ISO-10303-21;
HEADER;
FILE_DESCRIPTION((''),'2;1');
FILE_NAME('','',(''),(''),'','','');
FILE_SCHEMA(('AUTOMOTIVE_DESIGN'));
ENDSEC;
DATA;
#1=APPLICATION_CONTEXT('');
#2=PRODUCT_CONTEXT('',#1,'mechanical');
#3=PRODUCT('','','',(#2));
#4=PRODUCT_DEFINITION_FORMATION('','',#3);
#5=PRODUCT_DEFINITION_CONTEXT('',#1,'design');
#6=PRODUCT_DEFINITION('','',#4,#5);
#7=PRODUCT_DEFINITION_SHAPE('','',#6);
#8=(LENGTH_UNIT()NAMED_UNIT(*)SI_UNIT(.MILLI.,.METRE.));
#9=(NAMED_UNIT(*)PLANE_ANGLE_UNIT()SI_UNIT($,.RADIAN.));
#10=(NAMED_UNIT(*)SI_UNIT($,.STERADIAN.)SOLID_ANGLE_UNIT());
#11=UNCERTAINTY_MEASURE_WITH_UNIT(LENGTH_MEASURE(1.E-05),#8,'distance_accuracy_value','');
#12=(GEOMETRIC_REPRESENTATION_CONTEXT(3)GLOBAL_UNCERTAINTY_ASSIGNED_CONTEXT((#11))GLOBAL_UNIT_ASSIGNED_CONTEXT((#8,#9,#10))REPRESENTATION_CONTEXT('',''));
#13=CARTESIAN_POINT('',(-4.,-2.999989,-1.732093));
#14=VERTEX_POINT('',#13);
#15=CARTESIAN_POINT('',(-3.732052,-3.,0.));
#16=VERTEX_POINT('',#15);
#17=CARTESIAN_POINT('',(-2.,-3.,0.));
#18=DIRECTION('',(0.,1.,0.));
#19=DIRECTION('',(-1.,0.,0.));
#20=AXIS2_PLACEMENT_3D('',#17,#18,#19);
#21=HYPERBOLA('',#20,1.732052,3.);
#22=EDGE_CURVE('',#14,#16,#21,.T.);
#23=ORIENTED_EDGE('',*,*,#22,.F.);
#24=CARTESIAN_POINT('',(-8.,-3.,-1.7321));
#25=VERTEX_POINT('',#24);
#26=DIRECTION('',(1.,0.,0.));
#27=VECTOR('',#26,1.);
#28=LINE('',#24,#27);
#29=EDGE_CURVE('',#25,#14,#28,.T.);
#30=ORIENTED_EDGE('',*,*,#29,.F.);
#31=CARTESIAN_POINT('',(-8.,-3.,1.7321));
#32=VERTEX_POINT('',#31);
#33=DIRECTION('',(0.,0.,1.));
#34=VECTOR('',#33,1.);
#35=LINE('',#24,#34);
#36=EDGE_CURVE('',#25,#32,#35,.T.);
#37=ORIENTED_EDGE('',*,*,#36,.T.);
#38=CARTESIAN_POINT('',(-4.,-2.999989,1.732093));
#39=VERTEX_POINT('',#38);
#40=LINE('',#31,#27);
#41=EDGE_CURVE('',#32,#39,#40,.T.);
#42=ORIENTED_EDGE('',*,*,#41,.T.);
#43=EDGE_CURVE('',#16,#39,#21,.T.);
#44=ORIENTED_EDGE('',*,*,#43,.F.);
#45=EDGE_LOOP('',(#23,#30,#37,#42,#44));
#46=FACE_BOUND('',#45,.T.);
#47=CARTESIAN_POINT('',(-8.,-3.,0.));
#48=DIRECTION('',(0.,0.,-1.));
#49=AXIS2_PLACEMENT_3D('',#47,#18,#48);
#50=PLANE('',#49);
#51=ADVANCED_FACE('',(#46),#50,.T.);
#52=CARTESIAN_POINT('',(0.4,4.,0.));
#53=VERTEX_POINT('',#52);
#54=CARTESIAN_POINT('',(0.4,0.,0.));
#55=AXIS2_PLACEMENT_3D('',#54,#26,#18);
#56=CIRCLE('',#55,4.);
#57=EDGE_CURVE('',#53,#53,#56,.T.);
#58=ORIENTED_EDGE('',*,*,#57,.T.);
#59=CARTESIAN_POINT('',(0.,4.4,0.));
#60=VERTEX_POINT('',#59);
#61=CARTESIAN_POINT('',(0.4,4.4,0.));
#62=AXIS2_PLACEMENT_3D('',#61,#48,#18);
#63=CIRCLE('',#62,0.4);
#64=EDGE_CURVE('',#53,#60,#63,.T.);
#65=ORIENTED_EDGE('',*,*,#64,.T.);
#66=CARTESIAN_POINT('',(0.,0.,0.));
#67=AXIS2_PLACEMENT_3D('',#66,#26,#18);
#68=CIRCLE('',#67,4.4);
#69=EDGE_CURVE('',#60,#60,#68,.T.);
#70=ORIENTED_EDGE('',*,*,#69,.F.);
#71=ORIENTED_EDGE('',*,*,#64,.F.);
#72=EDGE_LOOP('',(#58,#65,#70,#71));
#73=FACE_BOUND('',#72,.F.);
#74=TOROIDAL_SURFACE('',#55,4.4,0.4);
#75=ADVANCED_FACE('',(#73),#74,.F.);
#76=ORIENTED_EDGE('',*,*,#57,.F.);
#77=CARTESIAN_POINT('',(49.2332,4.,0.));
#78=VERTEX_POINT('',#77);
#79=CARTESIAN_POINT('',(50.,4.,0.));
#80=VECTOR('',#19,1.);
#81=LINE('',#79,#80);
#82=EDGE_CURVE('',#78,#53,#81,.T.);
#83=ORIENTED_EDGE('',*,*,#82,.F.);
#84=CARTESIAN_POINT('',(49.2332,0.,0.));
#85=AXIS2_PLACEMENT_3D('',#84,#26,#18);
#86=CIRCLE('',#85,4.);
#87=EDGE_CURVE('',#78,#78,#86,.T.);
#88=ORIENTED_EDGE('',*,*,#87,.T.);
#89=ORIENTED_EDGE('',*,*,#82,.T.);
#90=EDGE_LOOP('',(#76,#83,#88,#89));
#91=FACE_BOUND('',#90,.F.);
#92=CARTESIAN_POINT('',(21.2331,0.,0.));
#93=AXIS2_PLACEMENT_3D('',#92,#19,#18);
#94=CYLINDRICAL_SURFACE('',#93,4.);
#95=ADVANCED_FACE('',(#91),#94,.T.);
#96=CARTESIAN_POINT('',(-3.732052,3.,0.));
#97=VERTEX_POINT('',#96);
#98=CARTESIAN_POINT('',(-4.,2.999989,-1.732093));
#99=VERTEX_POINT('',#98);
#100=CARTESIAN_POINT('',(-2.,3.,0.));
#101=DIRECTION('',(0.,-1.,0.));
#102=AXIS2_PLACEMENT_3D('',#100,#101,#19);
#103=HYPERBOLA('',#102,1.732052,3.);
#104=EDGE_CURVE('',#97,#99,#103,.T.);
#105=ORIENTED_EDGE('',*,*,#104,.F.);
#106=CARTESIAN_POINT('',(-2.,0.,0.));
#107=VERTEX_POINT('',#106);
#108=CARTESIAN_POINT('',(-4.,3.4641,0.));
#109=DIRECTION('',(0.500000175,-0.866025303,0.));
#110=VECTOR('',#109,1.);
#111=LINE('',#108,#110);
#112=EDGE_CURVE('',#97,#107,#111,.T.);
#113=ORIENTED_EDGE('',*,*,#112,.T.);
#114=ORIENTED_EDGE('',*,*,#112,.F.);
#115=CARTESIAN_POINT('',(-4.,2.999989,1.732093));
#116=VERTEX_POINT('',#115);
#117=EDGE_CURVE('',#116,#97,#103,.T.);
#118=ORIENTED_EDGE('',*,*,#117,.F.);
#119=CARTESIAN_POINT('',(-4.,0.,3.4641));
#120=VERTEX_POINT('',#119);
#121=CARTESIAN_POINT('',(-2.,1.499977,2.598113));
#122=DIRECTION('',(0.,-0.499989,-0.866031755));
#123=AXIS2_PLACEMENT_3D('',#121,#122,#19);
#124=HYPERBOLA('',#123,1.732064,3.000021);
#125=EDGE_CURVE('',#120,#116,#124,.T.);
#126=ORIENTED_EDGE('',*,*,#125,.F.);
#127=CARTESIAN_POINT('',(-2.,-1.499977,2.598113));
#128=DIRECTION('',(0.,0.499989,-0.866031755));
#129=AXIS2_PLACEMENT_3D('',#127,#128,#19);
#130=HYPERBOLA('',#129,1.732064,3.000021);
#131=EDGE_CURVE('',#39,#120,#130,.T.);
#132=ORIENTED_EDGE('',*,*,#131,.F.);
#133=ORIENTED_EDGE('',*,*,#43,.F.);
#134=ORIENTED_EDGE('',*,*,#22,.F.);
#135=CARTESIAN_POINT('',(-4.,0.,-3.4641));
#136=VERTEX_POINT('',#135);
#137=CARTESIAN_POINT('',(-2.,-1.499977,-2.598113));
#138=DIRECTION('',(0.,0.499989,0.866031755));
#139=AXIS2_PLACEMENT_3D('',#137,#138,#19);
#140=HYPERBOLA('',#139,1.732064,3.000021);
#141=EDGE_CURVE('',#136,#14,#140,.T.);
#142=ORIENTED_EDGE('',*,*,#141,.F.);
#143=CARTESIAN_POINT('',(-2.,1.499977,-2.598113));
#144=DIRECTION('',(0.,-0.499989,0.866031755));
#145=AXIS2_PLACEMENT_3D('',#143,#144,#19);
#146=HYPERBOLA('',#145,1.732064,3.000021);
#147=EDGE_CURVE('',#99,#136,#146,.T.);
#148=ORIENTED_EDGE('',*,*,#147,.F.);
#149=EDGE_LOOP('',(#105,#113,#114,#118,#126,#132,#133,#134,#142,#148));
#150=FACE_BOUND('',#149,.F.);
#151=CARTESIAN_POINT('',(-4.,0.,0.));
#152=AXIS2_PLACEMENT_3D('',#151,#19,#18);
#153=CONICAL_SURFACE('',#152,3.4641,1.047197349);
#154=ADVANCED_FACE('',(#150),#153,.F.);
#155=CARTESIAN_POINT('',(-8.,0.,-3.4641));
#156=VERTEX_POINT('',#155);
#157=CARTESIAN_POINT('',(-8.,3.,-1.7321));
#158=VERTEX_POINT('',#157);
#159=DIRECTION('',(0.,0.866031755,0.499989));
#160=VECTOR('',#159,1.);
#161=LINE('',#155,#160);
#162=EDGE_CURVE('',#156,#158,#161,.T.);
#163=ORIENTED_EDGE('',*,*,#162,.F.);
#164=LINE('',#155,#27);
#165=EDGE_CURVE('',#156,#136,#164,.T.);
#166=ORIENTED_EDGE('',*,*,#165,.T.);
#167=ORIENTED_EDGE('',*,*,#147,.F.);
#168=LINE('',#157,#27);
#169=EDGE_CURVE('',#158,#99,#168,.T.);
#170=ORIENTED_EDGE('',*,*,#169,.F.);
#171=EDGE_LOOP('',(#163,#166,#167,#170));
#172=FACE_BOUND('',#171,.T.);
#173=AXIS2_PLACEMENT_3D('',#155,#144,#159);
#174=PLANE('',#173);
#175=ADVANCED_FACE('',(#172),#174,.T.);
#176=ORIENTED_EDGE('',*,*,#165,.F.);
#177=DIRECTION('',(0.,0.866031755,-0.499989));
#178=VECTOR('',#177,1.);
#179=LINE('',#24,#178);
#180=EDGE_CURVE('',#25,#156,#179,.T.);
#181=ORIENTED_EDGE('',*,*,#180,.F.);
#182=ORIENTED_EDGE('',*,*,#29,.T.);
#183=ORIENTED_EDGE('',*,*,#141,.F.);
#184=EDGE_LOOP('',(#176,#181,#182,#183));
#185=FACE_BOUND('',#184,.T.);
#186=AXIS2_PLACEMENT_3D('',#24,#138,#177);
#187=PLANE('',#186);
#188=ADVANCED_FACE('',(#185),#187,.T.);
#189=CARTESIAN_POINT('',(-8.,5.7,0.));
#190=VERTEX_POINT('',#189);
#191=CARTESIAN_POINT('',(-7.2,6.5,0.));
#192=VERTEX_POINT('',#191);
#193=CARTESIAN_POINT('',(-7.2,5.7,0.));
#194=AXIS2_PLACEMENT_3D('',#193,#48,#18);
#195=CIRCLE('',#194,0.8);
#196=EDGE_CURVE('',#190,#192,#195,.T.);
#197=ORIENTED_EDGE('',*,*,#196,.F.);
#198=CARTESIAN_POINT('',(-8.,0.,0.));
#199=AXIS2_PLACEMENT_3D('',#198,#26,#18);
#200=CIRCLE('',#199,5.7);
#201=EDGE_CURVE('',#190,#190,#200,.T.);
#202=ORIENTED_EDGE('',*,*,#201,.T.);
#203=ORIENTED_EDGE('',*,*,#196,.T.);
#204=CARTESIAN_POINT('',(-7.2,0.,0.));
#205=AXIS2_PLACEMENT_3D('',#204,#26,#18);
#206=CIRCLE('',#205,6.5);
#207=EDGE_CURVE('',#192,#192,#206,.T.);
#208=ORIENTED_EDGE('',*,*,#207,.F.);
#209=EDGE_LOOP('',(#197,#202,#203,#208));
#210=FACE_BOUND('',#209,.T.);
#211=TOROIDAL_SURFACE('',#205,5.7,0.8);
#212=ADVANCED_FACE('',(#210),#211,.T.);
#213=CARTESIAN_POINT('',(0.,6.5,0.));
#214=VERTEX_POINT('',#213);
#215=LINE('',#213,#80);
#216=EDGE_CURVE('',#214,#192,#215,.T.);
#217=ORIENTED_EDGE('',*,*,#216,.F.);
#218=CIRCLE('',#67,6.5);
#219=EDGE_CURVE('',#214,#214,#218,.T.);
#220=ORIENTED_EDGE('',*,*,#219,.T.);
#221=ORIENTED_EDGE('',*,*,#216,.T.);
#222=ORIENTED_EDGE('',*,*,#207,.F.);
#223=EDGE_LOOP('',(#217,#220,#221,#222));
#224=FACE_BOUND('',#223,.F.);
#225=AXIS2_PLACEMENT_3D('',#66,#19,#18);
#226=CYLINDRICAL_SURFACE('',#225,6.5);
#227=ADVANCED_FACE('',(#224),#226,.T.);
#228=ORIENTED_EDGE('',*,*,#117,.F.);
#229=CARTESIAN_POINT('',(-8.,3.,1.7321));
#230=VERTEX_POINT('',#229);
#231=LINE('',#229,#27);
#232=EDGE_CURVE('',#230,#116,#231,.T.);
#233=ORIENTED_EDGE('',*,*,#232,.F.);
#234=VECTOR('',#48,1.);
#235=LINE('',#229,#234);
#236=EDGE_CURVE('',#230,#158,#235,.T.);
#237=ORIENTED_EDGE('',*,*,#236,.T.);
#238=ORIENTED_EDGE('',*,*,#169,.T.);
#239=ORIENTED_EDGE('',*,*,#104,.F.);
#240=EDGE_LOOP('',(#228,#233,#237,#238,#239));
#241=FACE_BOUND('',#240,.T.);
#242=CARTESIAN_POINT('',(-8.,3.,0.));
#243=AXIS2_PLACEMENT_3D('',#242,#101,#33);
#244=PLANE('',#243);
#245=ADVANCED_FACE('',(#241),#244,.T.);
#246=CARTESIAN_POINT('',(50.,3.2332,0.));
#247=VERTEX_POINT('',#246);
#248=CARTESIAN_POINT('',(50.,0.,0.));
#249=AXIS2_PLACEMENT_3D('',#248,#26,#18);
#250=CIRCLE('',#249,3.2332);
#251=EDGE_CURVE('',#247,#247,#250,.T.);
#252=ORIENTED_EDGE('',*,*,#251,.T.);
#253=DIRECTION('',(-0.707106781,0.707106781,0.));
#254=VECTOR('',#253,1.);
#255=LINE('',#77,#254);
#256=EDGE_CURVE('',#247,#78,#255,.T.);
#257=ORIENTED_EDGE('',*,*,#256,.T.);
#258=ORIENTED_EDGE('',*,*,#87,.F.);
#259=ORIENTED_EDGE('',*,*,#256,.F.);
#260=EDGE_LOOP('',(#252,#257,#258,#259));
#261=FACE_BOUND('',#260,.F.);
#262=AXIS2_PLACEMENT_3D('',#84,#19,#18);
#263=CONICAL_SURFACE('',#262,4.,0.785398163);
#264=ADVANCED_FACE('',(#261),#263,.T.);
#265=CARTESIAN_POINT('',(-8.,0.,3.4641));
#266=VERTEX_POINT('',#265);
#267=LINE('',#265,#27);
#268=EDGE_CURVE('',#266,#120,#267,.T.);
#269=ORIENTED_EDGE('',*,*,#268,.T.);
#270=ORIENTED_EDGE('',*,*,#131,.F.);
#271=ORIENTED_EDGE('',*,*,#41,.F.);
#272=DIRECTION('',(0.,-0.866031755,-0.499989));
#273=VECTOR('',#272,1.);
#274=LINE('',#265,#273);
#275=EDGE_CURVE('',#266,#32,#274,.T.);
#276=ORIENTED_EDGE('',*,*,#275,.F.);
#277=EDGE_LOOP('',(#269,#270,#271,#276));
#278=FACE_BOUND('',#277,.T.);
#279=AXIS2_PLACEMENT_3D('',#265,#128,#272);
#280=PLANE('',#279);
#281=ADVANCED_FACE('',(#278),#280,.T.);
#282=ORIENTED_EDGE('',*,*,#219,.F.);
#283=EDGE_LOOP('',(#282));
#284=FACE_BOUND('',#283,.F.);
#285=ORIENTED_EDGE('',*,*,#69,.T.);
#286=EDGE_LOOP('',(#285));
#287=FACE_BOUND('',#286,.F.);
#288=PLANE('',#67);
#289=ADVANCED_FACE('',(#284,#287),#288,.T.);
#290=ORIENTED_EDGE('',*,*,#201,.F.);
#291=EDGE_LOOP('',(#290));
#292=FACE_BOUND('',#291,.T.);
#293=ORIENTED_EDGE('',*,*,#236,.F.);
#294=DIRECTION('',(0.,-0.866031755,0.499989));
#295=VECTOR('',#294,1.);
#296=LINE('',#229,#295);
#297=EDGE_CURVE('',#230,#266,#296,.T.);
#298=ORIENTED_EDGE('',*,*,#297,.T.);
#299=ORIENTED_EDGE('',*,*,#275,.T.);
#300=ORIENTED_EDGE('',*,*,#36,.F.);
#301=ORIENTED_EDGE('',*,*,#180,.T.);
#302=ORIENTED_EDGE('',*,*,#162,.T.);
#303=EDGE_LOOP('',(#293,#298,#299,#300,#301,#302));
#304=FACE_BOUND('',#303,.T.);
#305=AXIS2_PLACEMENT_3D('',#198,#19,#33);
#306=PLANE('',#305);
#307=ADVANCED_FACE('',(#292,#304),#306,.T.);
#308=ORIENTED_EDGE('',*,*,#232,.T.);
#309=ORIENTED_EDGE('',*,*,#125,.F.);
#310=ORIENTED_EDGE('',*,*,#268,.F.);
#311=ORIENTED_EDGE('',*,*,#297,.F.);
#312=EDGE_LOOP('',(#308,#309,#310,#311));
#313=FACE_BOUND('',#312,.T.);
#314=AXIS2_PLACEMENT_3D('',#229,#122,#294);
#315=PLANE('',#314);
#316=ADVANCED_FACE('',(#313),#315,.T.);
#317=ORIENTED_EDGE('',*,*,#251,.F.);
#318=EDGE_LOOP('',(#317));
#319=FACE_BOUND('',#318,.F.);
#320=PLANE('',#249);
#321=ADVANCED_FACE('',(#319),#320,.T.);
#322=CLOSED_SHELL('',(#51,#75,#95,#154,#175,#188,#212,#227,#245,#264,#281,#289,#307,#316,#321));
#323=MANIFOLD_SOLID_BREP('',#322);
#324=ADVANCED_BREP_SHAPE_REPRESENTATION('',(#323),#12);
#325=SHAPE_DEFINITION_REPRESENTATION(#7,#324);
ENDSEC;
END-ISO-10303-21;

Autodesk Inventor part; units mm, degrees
ref_plane "YZ Plane" through (0, 0, 0) normal (1, 0, 0) x (0, 1, 0)
ref_plane "XZ Plane" through (0, 0, 0) normal (0, 1, 0) x (-1, 0, 0)
sketch "Skizze1" plane through (0, 0, 0) normal (0, 0, 1) x (1, 0, 0)
  line L0 (-2, 0) -> (50, 0)
  line L1 (50, 0) -> (50, 4)
  line L2 (50, 4) -> (22, 4)
  line L3 (22, 4) -> (21.2331, 4)
  line L4 (21.2331, 4) -> (0, 4)
  line L5 (0, 4) -> (0, 6.5)
  line L6 (0, 6.5) -> (-8, 6.5)
  line L7 (-8, 6.5) -> (-8, 3.4641)
  line L8 (-8, 3.4641) -> (-4, 3.4641)
  line L9 (-4, 3.4641) -> (-2, 0)
  line L10 (-19.6, 0) -> (61.6, 0) projected
  line L11 (0, -1.3) -> (0, 7.8) projected
  line L12 (22, 4) -> (0, 4) construction
  dimension "d1" = 28
  dimension "d2" = 0.7669
  dimension "d3" = 8
  dimension "d4" = 4
  dimension "d5" = 60
  dimension "d6" = 8
  dimension "d7" = 8
  dimension "d8" = 6.9282
  dimension "d9" = 13
  dimension "d26" = 50
revolve "Körper" add sketch "Skizze1" angle 360 about axis through (-2, 0, 0) along (1, 0, 0)
sketch "Skizze2" plane through (-8, 0, 0) normal (-1, 0, 0) x (0, 0, 1)
  circle A0 centre (0, 0) radius 3.4641 projected
  line L0 (0, -9.1) -> (0, 9.1) projected
  line L1 (-9.1, 0) -> (9.1, 0) projected
  line L2 (3.4641, 0) -> (1.7321, -3)
  line L3 (1.7321, -3) -> (-1.7321, -3)
  line L4 (-1.7321, -3) -> (-3.4641, 0)
  line L5 (-3.4641, 0) -> (-1.7321, 3)
  line L6 (-1.7321, 3) -> (1.7321, 3)
  line L7 (1.7321, 3) -> (3.4641, 0)
extrude "Loch" add sketch "Skizze2" against normal up to next contours L7 A0 | A0 L2 | L6 L0 A0 | A0 L0 L3 | L0 L6 A0 | A0 L3 L0 | L4 A0 | A0 L5
fillet "Rundung1" radius 0.8 1 edges at (-8, -6.5, 0)
thread "Gewinde" size "M8x1.25" class "6g" standard "ISO Metric profile" length 28
chamfer "Fase1" distance 0.7668 distance2 0.7668 1 edges at (50, -4, 0) measured on face at (50, -0.3588, -0.308)
ref_plane "Work Plane1" through (29, 0, 0) normal (0, -1, 0) x (1, 0, 0)
fillet "Fillet2" radius 0.4 1 edges at (0, -4, 0)
equation "\"d1\" = GEL"
equation "\"d3\" = KOH"
equation "\"d4\" = INTI"
equation "\"d6\" = GD"
equation "\"d7\" = BDM"
equation "\"d8\" = 1.1547 * SW"
equation "\"d9\" = KOD"
equation "\"d26\" = NLG"
equation "\"d30\" = R"
equation "\"d17\" = RR"
equation "\"d13\" = GEL"
equation "\"d15\" = -0.5 * SPD + 0.5 * GD"
equation "\"d16\" = GUL"
equation "\"GD\" = NND"
equation "\"NLG\" = 50"
equation "\"GEL\" = 28"
equation "\"KOD\" = 13"
equation "\"KOH\" = 8"
equation "\"INTI\" = 4"
equation "\"GAL\" = 0.61345 * PTC"
equation "\"GUL\" = 0.61345 * PTC"
equation "\"BDM\" = NND"
equation "\"SW\" = 6"
equation "\"RR\" = 0.8"
equation "\"SPD\" = NND - 1.2269 * PTC"
equation "\"R\" = 0.4"
equation "\"TOA\" = 30deg"
equation "\"GD1\" = THREADDIA - 1.2269 * PTC"
equation "\"THREADDIA\" = 8"
equation "\"FAWI\" = 45deg"
equation "\"ANG\" = 120deg"
equation "\"PTC\" = 1.25"
equation "\"NND\" = 8"
equation "\"E0\" = 1.155 * SW"
properties part number "DIN 912 - M8 x 50" material "Stahl, weich"
